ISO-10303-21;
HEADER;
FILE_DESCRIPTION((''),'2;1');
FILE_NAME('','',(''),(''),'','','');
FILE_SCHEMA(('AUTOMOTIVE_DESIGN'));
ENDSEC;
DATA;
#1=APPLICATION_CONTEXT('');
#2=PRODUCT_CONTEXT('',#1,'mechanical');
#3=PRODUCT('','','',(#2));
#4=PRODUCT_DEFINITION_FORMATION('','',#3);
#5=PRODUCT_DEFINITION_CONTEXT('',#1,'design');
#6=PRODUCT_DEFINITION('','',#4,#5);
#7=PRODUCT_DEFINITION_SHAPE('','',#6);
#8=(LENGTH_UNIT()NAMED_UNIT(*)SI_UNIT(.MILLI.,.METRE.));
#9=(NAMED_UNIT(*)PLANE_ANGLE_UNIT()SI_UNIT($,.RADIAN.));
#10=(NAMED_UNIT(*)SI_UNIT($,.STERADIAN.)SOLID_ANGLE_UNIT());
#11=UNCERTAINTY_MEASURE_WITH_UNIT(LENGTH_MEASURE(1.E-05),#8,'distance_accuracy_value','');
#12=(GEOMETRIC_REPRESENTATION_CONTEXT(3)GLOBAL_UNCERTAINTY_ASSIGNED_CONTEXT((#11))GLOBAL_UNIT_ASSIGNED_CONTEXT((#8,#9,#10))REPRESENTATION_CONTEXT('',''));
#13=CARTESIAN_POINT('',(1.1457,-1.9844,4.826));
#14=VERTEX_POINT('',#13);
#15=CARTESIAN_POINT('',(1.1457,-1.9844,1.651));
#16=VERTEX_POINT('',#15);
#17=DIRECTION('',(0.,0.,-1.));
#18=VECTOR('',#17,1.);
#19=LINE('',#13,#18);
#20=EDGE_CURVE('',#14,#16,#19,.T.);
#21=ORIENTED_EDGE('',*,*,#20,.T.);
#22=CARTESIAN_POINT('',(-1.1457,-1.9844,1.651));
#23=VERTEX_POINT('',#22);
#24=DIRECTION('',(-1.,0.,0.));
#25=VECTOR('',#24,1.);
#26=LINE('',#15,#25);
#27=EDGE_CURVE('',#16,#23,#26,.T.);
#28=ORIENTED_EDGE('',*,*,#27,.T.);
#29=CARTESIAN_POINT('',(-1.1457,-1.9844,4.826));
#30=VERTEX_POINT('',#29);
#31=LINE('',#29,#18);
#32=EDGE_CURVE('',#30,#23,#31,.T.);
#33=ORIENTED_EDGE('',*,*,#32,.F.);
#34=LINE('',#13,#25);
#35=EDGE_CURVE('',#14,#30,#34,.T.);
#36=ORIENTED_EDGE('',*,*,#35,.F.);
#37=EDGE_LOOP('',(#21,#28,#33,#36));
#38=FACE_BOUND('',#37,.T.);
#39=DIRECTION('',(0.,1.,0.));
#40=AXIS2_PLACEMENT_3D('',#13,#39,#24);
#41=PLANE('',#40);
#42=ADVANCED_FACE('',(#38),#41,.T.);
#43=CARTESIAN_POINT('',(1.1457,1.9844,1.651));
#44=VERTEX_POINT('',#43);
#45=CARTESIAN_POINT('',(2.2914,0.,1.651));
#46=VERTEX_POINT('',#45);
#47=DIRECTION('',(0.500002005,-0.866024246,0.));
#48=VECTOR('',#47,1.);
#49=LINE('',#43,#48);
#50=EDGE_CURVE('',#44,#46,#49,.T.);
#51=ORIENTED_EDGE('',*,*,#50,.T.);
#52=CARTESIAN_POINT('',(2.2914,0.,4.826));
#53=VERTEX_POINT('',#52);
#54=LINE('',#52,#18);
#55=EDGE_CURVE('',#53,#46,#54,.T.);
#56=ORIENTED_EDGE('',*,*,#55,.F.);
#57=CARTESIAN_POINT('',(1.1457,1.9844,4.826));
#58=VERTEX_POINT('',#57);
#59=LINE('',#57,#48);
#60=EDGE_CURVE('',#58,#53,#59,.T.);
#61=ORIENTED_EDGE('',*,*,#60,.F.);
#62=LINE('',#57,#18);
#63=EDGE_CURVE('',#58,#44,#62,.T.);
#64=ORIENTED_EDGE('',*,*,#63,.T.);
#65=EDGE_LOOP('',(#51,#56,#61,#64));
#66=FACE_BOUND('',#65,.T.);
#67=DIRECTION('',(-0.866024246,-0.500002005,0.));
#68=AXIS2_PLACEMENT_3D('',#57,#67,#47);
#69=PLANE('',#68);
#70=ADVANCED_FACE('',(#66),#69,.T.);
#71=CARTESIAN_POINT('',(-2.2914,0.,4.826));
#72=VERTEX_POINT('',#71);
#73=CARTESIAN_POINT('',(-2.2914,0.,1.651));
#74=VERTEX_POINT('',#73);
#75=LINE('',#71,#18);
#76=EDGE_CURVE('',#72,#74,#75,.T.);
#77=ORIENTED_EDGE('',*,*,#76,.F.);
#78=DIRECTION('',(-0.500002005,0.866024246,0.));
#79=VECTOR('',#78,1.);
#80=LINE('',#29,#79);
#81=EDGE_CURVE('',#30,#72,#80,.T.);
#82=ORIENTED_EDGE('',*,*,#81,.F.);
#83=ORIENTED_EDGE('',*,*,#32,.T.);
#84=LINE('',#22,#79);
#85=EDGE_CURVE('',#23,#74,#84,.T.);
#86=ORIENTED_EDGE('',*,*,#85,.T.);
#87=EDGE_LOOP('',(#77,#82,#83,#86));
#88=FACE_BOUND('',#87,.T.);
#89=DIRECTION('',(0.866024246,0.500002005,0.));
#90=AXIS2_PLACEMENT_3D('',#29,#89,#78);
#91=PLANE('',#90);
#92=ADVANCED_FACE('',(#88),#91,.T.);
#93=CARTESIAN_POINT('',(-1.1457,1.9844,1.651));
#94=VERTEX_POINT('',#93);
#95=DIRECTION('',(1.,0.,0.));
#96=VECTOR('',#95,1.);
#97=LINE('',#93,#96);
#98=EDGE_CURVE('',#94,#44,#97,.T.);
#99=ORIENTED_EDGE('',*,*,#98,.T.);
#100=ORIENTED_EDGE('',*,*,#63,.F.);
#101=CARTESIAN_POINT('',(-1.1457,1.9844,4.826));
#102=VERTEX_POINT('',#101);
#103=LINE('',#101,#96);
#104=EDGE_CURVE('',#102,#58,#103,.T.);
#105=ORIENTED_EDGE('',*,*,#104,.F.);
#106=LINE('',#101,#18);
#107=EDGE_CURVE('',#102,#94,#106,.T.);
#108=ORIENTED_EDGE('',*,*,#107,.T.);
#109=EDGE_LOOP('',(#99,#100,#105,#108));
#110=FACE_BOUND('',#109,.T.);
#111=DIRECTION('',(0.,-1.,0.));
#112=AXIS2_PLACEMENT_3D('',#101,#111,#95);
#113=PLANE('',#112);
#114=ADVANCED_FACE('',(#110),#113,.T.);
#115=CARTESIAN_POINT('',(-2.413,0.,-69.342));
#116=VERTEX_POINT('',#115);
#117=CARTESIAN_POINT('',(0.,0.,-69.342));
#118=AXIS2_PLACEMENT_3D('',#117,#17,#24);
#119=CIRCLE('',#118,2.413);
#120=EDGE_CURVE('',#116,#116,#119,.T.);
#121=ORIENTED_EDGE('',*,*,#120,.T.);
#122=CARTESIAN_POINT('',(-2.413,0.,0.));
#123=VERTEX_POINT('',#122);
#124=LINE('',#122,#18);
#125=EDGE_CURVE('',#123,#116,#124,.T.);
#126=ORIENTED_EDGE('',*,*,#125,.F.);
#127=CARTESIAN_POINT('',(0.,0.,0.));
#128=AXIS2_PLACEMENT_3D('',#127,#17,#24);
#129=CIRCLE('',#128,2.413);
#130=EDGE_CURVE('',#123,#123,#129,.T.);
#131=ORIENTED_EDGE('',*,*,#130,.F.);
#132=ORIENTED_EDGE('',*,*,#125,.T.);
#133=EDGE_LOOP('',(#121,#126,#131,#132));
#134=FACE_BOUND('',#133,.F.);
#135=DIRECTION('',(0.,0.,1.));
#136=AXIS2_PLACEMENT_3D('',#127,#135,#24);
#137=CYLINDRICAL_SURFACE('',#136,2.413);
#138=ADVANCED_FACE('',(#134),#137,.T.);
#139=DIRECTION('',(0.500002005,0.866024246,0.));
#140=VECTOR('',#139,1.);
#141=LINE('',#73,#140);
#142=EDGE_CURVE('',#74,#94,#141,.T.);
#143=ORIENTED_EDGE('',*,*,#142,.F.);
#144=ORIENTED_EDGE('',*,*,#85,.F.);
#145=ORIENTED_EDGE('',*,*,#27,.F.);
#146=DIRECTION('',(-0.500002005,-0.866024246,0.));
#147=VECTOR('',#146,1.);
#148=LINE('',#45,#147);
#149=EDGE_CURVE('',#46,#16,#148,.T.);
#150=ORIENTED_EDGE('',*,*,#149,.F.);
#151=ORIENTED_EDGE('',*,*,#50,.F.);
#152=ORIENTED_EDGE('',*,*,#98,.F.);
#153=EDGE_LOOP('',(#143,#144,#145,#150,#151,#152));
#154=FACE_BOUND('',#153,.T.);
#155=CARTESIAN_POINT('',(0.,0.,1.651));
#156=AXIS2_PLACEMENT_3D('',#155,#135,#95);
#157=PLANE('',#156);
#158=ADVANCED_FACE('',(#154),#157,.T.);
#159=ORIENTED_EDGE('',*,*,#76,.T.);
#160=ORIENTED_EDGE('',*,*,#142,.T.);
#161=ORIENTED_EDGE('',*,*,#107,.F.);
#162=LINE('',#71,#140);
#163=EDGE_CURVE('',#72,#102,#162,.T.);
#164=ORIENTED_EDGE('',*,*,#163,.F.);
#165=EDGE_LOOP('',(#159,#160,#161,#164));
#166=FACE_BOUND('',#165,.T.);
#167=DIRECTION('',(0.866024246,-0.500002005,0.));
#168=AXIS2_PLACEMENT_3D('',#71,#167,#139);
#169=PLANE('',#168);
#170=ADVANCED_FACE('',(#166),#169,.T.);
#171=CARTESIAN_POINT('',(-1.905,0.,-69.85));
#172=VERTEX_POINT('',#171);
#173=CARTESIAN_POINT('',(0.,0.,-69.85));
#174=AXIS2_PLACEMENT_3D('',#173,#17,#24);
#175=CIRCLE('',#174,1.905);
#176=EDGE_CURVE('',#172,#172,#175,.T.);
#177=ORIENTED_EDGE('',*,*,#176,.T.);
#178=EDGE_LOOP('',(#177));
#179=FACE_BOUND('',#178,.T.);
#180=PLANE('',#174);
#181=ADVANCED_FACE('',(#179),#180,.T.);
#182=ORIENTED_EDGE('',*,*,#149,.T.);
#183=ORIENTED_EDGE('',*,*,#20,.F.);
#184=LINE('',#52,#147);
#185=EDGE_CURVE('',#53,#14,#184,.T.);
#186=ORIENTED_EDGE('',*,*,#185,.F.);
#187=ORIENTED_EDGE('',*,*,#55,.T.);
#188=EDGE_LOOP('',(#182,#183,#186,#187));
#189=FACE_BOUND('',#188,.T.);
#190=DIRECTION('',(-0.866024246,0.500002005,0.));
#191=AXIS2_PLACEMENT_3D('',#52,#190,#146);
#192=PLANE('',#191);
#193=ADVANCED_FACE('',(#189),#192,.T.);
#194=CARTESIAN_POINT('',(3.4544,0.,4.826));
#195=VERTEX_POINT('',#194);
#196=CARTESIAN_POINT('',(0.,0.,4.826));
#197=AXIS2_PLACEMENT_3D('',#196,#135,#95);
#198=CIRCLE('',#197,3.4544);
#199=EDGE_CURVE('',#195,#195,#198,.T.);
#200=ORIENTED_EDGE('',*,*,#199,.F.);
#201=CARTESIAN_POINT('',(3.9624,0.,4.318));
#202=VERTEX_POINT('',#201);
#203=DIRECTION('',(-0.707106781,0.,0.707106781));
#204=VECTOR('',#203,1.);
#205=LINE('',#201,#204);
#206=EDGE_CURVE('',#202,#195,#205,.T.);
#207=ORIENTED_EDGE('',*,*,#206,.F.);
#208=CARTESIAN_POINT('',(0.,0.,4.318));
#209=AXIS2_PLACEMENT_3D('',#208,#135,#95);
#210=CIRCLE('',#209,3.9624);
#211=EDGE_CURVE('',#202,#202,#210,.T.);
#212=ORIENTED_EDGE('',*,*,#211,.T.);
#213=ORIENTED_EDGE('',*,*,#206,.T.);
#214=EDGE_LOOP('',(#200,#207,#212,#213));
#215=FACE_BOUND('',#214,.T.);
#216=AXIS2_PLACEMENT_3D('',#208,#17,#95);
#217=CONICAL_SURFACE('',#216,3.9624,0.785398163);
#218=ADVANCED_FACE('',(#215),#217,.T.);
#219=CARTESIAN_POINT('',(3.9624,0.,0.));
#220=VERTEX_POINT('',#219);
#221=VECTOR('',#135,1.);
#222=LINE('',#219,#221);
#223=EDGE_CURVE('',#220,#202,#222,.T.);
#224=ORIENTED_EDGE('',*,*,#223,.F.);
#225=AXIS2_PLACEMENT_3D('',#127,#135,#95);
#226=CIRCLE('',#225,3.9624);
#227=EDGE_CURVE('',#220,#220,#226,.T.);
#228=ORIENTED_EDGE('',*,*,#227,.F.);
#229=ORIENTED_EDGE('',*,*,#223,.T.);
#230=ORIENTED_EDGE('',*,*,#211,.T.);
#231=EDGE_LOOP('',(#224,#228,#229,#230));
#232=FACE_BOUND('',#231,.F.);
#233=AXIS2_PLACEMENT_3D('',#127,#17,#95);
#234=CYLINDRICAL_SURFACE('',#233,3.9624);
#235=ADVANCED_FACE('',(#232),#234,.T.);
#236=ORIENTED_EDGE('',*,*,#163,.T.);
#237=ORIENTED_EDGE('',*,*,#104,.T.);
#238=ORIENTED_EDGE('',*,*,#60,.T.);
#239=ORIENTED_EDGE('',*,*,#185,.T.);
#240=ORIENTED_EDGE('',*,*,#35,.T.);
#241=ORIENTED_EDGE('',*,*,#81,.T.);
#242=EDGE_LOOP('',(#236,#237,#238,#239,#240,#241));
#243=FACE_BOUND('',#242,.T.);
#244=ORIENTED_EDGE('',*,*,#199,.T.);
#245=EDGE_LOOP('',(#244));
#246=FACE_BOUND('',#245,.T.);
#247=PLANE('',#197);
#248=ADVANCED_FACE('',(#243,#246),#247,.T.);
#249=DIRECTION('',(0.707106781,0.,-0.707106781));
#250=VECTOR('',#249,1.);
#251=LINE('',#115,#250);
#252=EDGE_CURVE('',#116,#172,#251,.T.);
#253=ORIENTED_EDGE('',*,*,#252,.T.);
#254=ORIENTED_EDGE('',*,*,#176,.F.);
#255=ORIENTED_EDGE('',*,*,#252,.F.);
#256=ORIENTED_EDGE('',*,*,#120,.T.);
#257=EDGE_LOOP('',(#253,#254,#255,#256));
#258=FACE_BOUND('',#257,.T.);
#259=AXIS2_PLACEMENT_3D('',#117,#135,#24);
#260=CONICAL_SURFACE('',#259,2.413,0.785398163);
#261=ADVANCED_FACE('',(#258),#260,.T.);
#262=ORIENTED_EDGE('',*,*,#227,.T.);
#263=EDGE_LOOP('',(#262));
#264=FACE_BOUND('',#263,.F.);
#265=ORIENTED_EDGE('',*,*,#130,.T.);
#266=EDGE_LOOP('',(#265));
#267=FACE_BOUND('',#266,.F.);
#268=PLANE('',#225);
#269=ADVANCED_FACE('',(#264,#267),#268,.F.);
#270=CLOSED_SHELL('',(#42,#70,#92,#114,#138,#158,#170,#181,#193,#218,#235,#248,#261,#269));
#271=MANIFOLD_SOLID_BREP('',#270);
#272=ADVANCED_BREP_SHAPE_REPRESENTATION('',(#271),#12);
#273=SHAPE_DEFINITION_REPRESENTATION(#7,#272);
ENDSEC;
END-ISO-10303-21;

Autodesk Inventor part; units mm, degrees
ref_plane "YZ Plane" through (0, 0, 0) normal (1, 0, 0) x (0, 1, 0)
ref_plane "XZ Plane" through (0, 0, 0) normal (0, 1, 0) x (-1, 0, 0)
ref_plane "XY Plane" through (0, 0, 0) normal (0, 0, 1) x (1, 0, 0)
sketch "Sketch1" plane through (0, 0, 0) normal (0, 0, 1) x (1, 0, 0)
  circle A0 centre (0, 0) radius 3.9624
  dimension "d0" = 7.9248
extrude "Extrusion1" add sketch "Sketch1" along normal blind 4.826
sketch "Sketch2" plane through (0, 0, 0) normal (0, 0, -1) x (-1, 0, 0)
  circle A0 centre (0, 0) radius 3.9624 projected
  circle A1 centre (0, 0) radius 2.413
  dimension "d3" = 4.826
extrude "Extrusion2" add sketch "Sketch2" along normal blind 69.85 contours A1
sketch "Sketch3" plane through (0, 0, 4.826) normal (0, 0, 1) x (1, 0, 0)
  circle A0 centre (0, 0) radius 3.9624 projected
  line L0 (-1.1457, 1.9844) -> (1.1457, 1.9844)
  line L1 (1.1457, 1.9844) -> (2.2914, 0)
  line L2 (2.2914, 0) -> (1.1457, -1.9844)
  line L3 (1.1457, -1.9844) -> (-1.1457, -1.9844)
  line L4 (-1.1457, -1.9844) -> (-2.2914, 0)
  line L5 (-2.2914, 0) -> (-1.1457, 1.9844)
  dimension "d6" = 3.9688
extrude "Extrusion3" cut sketch "Sketch3" against normal blind 3.175 contours L0 L1 L2 L3 L4 L5
thread "Thread1" size "10-32 UNF" class "2A" standard "ANSI Unified Screw Threads" length 25.4
chamfer "Chamfer1" distance 0.508 angle 45 1 edges at (2.413, 0, -69.85)
chamfer "Chamfer2" distance 0.508 angle 45 1 edges at (-3.9624, 0, 4.826)
properties part number "10-32 x1000" material "Steel"
